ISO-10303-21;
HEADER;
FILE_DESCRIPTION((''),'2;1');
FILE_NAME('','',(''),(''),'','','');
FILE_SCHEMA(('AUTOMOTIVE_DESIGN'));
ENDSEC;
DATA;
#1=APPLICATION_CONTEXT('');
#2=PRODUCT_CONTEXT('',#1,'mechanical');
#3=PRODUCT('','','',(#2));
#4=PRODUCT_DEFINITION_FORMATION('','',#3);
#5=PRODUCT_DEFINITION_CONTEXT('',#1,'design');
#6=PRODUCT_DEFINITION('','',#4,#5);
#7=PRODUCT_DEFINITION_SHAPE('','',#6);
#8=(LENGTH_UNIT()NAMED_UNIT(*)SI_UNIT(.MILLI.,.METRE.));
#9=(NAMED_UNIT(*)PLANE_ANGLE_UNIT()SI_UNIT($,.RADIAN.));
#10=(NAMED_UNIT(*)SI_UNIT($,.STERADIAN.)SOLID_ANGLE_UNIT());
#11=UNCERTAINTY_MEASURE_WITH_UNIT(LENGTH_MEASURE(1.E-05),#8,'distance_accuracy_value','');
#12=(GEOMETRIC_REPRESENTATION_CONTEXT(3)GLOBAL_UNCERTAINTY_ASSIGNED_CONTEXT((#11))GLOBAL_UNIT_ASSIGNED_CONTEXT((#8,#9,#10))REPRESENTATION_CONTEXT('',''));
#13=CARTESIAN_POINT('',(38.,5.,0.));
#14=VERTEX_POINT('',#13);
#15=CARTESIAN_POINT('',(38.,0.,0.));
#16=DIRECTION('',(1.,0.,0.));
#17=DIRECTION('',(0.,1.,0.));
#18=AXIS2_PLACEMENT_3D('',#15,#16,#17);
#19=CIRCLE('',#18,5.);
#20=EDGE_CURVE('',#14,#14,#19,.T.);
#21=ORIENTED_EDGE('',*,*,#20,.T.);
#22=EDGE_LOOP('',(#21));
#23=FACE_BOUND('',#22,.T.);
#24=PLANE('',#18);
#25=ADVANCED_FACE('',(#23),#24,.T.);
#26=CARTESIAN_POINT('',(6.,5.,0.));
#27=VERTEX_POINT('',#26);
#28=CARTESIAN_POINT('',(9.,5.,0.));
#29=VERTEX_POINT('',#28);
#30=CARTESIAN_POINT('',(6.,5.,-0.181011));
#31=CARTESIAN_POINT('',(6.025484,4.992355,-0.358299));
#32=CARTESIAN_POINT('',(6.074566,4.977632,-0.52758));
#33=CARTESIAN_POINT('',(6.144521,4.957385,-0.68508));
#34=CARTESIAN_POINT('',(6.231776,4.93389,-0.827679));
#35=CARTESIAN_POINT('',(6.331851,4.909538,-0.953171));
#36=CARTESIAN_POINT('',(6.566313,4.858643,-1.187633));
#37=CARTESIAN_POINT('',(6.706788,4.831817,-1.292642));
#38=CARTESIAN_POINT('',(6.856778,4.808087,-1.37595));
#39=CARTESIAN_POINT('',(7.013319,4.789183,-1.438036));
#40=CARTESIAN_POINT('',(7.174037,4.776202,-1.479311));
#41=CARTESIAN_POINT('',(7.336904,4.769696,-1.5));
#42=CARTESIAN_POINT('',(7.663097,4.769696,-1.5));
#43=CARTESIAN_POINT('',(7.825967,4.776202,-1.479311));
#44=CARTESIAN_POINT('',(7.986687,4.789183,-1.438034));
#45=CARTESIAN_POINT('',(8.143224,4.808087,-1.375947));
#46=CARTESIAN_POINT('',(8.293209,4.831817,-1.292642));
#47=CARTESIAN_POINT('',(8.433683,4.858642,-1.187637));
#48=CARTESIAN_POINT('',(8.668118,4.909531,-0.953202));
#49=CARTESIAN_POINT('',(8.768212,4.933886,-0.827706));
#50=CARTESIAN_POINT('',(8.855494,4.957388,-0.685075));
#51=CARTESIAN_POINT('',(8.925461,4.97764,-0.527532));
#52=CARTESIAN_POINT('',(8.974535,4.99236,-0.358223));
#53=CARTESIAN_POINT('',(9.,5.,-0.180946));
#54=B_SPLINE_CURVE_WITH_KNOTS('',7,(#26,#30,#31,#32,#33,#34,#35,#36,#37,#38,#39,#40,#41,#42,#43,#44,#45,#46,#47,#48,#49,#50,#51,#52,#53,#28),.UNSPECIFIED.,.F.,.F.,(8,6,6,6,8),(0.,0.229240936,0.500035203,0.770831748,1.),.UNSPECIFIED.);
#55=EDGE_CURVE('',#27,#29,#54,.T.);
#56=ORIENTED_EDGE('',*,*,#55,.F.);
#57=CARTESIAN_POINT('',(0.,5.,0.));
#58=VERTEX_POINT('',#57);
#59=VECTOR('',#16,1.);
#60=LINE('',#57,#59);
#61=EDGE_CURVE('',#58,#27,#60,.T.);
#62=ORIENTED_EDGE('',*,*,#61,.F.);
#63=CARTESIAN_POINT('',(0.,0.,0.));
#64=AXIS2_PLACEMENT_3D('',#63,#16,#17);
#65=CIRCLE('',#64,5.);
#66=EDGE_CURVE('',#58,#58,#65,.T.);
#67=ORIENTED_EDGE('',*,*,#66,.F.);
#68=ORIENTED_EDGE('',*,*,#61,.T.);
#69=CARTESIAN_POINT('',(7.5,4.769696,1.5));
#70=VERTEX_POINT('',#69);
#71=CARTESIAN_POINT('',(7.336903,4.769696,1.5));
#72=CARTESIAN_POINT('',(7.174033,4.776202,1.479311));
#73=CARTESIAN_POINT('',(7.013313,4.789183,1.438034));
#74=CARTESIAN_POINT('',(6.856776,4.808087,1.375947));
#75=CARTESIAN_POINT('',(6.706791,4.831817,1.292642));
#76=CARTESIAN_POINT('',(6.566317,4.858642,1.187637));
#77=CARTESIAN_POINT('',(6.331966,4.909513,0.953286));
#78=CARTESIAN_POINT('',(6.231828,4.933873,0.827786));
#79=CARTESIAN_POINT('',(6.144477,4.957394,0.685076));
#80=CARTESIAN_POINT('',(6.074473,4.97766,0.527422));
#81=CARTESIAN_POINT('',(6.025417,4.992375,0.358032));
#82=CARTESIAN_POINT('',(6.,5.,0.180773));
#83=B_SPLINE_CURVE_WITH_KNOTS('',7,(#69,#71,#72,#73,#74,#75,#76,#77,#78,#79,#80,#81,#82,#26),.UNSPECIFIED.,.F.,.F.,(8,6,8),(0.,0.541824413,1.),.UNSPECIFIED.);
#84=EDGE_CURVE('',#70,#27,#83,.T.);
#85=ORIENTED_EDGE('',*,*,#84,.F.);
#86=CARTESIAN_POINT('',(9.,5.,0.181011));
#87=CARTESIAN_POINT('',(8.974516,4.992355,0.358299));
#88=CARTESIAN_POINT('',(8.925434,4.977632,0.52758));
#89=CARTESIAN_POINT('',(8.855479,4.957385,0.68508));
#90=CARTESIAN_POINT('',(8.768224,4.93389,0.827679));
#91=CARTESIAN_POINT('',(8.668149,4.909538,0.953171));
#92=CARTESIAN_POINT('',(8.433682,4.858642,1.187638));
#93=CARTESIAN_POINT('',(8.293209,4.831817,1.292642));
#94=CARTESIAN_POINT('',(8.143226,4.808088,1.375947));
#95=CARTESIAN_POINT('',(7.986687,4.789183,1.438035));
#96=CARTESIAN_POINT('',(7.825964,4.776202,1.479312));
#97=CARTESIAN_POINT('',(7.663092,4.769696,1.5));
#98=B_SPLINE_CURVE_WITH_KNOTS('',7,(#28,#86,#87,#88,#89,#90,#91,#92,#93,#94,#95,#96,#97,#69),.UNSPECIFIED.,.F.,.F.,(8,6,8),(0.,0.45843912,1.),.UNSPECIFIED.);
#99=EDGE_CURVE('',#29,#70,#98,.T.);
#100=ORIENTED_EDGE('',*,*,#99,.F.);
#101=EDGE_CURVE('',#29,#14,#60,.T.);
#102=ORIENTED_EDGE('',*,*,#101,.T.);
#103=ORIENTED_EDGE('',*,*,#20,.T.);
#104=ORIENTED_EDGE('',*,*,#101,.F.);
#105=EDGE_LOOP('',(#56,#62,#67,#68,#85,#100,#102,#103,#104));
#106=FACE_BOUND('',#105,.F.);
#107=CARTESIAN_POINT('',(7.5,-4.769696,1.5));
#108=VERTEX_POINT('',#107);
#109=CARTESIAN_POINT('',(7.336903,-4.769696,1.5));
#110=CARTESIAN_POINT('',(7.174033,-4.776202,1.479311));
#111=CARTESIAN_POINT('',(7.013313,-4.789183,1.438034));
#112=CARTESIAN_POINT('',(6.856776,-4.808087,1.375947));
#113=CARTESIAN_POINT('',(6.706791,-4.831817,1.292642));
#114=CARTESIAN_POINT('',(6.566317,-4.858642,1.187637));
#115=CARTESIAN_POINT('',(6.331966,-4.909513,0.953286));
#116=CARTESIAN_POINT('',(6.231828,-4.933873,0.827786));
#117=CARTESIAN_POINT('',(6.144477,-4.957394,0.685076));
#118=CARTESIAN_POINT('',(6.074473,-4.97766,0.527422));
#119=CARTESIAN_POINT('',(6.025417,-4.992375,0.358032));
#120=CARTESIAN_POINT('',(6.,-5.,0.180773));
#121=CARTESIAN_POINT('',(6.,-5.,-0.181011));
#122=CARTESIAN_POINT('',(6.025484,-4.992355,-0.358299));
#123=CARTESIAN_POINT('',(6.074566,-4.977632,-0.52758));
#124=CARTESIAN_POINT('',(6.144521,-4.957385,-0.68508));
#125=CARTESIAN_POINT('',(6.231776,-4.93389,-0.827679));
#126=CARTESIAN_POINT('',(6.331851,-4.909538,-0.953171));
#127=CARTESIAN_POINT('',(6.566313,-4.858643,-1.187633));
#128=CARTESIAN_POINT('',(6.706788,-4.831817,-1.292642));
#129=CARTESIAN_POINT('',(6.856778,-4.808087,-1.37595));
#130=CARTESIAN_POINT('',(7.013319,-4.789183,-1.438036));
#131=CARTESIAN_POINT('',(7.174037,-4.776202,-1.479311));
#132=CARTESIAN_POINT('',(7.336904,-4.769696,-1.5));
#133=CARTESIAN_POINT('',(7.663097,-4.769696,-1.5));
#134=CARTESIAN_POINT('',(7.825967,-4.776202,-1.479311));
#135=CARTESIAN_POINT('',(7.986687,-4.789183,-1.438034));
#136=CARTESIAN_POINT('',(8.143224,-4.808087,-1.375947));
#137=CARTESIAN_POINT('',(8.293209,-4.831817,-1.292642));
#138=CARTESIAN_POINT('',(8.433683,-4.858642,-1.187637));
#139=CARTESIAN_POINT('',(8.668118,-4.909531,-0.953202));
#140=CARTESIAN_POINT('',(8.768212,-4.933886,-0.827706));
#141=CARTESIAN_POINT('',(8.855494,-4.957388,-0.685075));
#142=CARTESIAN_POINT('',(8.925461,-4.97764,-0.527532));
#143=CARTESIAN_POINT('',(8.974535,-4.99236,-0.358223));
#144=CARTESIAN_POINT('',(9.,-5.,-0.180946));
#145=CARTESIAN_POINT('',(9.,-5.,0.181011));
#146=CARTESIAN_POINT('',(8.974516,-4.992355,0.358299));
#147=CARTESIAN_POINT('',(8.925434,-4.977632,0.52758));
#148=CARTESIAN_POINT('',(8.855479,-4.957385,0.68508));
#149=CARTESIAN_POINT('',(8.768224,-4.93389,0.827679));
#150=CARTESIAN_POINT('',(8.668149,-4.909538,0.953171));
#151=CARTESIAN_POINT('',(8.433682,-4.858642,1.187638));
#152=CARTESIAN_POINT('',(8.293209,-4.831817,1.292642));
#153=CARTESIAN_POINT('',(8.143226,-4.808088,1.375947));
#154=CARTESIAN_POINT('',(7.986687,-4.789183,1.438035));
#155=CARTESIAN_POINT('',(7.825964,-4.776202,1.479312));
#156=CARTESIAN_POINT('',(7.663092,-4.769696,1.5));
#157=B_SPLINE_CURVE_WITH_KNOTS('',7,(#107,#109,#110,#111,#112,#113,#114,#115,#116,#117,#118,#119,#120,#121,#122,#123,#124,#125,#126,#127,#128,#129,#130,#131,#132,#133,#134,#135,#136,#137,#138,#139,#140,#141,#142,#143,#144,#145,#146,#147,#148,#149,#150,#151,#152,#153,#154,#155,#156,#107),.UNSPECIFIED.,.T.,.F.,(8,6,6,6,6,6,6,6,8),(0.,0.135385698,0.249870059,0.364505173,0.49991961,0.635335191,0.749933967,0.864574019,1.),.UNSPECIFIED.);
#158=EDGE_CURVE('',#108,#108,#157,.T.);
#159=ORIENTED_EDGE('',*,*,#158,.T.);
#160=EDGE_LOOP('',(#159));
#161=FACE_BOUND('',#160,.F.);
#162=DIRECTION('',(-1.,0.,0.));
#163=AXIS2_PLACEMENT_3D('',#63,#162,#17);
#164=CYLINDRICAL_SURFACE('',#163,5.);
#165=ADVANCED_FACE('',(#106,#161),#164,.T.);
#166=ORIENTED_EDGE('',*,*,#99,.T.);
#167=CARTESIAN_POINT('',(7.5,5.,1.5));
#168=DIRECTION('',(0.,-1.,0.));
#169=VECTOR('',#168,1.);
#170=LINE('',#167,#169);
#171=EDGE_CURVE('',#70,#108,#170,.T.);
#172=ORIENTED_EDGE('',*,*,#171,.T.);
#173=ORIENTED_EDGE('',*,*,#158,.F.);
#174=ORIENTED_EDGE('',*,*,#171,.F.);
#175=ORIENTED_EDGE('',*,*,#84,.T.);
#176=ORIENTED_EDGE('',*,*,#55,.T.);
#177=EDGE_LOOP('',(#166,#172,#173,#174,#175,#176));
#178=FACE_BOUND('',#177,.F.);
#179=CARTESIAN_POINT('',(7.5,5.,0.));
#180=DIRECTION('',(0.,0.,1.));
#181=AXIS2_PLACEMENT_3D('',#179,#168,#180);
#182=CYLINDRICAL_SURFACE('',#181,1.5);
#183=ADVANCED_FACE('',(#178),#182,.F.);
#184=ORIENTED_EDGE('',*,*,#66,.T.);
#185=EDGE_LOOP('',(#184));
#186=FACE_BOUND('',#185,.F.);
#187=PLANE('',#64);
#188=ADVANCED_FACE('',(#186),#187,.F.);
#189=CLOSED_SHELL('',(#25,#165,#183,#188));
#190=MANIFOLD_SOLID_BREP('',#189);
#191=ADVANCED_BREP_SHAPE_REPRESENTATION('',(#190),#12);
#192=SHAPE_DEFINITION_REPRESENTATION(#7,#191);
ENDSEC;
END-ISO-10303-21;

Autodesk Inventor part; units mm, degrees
ref_plane "YZ Plane" through (0, 0, 0) normal (1, 0, 0) x (0, 1, 0)
ref_plane "XY Plane" through (0, 0, 0) normal (0, 0, 1) x (1, 0, 0)
sketch "スケッチ1" plane through (0, 0, 0) normal (1, 0, 0) x (0, 1, 0)
  circle A0 centre (0, 0) radius 5
  dimension "d0" = 10
extrude "押し出し1" add sketch "スケッチ1" along normal blind 38
ref_plane "作業平面1" through (0, 5, 0) normal (0, 1, 0) x (-1, 0, 0)
sketch "スケッチ2" plane through (0, 5, 0) normal (0, 1, 0) x (-1, 0, 0)
  line L0 (0, 5) -> (0, -5) projected
  point P0 (0, 0)
  point P1 (-7.5, 0)
  dimension "d3" = 7.5
hole "穴1" at (7.5, 5, 0) direction (0, -1, 0) diameter 3 end through all
properties part number "roller-hand-v1-Shaft-m" material "アルミニウム 6061"
